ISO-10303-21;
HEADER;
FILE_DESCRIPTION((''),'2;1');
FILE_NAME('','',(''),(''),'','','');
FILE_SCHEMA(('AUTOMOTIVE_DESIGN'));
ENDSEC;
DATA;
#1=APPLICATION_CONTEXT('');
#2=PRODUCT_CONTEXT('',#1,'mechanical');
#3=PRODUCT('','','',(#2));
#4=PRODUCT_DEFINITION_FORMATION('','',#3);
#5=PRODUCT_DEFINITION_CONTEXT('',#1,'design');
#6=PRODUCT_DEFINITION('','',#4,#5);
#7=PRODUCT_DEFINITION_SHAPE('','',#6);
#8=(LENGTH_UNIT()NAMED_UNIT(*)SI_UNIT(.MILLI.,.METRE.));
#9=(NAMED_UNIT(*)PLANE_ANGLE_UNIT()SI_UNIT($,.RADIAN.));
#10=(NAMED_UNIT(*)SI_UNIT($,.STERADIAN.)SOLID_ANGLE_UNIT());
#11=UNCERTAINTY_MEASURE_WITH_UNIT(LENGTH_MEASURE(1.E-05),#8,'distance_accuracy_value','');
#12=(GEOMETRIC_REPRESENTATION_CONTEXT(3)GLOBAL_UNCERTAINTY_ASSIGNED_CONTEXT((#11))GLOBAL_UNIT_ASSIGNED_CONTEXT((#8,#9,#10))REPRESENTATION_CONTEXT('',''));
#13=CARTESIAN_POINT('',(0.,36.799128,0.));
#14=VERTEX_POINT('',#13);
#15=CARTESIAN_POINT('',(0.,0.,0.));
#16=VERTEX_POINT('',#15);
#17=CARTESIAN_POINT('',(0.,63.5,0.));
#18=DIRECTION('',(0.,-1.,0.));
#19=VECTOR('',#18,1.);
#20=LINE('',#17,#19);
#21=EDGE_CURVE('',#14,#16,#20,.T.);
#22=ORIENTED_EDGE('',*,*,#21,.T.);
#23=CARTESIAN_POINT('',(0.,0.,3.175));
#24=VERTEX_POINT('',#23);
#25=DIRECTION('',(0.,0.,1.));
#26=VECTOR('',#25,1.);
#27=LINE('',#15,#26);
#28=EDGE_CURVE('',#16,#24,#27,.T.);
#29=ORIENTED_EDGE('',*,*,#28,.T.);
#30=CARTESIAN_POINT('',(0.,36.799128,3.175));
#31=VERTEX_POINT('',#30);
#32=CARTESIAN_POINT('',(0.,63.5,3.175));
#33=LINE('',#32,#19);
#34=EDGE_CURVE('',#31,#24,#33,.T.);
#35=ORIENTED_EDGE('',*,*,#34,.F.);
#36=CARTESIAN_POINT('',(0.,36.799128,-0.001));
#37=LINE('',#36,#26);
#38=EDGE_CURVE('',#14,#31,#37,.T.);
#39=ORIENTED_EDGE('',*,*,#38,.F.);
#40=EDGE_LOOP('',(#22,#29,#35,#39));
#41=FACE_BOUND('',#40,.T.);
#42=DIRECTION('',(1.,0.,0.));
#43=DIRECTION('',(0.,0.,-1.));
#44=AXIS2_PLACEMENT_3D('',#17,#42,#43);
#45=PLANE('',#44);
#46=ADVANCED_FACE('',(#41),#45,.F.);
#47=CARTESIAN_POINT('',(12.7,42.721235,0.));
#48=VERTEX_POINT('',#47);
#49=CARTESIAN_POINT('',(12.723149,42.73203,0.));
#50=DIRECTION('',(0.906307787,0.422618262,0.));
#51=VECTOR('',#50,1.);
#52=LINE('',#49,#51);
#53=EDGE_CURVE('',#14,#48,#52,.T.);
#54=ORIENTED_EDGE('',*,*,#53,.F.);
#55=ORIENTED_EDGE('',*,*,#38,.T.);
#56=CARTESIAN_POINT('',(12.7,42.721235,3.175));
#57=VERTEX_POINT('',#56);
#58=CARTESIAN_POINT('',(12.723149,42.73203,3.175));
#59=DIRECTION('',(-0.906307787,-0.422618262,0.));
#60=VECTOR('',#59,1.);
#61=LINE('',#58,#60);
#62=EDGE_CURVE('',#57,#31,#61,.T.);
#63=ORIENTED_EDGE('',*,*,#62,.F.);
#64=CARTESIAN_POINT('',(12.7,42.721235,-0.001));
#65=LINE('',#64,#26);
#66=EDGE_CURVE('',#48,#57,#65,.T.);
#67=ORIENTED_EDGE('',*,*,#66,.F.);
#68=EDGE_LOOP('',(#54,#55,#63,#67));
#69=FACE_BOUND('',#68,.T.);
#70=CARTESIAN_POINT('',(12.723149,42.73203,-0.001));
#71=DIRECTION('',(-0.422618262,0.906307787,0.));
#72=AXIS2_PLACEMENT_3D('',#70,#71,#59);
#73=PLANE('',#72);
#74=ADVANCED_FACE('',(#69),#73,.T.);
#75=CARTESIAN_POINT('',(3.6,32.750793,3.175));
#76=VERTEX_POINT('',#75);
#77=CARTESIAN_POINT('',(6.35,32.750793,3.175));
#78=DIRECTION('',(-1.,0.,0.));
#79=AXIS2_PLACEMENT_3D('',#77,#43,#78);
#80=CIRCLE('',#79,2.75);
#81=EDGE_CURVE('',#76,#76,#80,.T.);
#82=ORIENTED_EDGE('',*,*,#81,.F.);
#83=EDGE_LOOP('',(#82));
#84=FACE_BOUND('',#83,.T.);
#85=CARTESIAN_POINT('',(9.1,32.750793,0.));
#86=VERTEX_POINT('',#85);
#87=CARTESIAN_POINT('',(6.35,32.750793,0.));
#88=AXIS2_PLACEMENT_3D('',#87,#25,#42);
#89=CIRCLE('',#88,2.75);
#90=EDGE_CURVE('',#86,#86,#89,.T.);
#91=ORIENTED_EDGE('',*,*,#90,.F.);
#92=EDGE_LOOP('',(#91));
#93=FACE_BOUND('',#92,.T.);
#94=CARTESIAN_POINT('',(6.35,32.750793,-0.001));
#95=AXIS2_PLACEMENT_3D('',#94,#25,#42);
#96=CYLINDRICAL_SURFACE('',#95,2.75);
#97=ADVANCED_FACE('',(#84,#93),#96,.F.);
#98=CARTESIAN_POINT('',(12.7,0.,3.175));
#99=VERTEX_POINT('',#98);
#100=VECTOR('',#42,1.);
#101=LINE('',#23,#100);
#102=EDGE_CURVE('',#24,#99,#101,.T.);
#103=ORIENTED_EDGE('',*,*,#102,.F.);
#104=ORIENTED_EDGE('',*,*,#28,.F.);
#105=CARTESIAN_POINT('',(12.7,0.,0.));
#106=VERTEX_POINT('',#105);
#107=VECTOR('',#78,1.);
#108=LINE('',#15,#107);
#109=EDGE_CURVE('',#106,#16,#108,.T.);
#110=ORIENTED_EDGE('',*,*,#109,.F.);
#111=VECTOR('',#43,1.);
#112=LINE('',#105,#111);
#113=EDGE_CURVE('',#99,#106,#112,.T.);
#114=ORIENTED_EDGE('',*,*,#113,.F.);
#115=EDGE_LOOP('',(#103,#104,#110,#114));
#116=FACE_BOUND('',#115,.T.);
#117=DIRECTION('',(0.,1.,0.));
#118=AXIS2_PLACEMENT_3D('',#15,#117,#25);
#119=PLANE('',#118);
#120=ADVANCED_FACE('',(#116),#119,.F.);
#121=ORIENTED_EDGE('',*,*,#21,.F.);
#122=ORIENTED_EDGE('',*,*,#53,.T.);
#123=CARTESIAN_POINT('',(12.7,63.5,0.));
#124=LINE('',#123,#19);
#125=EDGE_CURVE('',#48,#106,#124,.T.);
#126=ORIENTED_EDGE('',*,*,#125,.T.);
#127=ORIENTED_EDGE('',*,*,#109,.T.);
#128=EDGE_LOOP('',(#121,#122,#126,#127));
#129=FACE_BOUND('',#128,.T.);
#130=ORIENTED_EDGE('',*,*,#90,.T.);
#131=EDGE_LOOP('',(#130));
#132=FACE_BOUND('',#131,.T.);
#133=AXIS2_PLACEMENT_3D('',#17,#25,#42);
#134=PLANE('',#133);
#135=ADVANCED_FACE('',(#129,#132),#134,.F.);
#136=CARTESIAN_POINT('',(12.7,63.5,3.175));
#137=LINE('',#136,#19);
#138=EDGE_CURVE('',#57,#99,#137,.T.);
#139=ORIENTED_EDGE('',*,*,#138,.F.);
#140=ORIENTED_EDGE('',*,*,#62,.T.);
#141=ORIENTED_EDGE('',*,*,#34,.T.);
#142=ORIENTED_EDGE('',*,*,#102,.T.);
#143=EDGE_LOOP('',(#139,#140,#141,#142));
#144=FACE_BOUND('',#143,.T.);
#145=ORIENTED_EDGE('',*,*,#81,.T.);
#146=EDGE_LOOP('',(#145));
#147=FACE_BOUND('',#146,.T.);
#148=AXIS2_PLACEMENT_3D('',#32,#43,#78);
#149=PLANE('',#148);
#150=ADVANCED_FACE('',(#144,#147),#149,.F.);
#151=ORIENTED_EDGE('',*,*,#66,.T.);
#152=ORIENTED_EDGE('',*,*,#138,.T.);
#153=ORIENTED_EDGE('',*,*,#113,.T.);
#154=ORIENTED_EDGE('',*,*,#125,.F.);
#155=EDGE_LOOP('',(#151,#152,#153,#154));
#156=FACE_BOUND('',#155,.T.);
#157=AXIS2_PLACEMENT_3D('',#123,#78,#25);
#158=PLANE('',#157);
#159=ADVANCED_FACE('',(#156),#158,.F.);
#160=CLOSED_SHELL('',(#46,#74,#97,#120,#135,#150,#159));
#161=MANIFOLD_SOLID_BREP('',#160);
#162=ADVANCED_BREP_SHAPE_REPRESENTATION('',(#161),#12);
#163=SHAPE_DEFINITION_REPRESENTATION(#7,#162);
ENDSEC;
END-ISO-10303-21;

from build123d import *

# Parameters (mm, degrees)
SKETCH2_W           = 12.7
SKETCH2_H           = 3.175
BOSS_EXTRUDE1_DEPTH = 63.5
CUT_EXTRUDE1_REACH  = 66.835
SKETCH3_R           = 2.75


with BuildPart() as part:
    # Sketch2 → Boss-Extrude1 (new body)
    with BuildSketch(Plane(origin=(0, 0, 0), x_dir=(1, 0, 0), z_dir=(0, 1, 0))):
        with Locations((6.35, -1.5875)):
            Rectangle(SKETCH2_W, SKETCH2_H)
    extrude(amount=BOSS_EXTRUDE1_DEPTH)

    # Sketch3 → Cut-Extrude1 (cut, up to next)
    with BuildSketch(Plane(origin=(0, 0, 3.175), x_dir=(-1, 0, 0), z_dir=(0, 0, -1)), mode=Mode.PRIVATE) as cut_extrude1_sk1:
        with Locations(Location((-6.35, 32.750792521, 0), (0, 0, 180))):
            Circle(SKETCH3_R)
    cut_extrude1_tool1 = extrude(cut_extrude1_sk1.sketch, amount=CUT_EXTRUDE1_REACH, mode=Mode.PRIVATE) & part.part
    # Sketch3 → Cut-Extrude1 (cut, up to next)
    with BuildSketch(Plane(origin=(0, 0, 3.175), x_dir=(-1, 0, 0), z_dir=(0, 0, -1)), mode=Mode.PRIVATE) as cut_extrude1_sk2:
        Polygon((-12.723149047, 42.732029586), (0, 36.79912775), (0, 63.5), (-12.7, 63.5), align=None)
    cut_extrude1_tool2 = extrude(cut_extrude1_sk2.sketch, amount=CUT_EXTRUDE1_REACH, mode=Mode.PRIVATE) & part.part
    add(cut_extrude1_tool1.solids().sort_by_distance((6.35, 32.750793, 3.175))[0], mode=Mode.SUBTRACT)
    add(cut_extrude1_tool2.solids().sort_by_distance((6.091267, 51.567007, 3.175))[0], mode=Mode.SUBTRACT)


solid = part.part
